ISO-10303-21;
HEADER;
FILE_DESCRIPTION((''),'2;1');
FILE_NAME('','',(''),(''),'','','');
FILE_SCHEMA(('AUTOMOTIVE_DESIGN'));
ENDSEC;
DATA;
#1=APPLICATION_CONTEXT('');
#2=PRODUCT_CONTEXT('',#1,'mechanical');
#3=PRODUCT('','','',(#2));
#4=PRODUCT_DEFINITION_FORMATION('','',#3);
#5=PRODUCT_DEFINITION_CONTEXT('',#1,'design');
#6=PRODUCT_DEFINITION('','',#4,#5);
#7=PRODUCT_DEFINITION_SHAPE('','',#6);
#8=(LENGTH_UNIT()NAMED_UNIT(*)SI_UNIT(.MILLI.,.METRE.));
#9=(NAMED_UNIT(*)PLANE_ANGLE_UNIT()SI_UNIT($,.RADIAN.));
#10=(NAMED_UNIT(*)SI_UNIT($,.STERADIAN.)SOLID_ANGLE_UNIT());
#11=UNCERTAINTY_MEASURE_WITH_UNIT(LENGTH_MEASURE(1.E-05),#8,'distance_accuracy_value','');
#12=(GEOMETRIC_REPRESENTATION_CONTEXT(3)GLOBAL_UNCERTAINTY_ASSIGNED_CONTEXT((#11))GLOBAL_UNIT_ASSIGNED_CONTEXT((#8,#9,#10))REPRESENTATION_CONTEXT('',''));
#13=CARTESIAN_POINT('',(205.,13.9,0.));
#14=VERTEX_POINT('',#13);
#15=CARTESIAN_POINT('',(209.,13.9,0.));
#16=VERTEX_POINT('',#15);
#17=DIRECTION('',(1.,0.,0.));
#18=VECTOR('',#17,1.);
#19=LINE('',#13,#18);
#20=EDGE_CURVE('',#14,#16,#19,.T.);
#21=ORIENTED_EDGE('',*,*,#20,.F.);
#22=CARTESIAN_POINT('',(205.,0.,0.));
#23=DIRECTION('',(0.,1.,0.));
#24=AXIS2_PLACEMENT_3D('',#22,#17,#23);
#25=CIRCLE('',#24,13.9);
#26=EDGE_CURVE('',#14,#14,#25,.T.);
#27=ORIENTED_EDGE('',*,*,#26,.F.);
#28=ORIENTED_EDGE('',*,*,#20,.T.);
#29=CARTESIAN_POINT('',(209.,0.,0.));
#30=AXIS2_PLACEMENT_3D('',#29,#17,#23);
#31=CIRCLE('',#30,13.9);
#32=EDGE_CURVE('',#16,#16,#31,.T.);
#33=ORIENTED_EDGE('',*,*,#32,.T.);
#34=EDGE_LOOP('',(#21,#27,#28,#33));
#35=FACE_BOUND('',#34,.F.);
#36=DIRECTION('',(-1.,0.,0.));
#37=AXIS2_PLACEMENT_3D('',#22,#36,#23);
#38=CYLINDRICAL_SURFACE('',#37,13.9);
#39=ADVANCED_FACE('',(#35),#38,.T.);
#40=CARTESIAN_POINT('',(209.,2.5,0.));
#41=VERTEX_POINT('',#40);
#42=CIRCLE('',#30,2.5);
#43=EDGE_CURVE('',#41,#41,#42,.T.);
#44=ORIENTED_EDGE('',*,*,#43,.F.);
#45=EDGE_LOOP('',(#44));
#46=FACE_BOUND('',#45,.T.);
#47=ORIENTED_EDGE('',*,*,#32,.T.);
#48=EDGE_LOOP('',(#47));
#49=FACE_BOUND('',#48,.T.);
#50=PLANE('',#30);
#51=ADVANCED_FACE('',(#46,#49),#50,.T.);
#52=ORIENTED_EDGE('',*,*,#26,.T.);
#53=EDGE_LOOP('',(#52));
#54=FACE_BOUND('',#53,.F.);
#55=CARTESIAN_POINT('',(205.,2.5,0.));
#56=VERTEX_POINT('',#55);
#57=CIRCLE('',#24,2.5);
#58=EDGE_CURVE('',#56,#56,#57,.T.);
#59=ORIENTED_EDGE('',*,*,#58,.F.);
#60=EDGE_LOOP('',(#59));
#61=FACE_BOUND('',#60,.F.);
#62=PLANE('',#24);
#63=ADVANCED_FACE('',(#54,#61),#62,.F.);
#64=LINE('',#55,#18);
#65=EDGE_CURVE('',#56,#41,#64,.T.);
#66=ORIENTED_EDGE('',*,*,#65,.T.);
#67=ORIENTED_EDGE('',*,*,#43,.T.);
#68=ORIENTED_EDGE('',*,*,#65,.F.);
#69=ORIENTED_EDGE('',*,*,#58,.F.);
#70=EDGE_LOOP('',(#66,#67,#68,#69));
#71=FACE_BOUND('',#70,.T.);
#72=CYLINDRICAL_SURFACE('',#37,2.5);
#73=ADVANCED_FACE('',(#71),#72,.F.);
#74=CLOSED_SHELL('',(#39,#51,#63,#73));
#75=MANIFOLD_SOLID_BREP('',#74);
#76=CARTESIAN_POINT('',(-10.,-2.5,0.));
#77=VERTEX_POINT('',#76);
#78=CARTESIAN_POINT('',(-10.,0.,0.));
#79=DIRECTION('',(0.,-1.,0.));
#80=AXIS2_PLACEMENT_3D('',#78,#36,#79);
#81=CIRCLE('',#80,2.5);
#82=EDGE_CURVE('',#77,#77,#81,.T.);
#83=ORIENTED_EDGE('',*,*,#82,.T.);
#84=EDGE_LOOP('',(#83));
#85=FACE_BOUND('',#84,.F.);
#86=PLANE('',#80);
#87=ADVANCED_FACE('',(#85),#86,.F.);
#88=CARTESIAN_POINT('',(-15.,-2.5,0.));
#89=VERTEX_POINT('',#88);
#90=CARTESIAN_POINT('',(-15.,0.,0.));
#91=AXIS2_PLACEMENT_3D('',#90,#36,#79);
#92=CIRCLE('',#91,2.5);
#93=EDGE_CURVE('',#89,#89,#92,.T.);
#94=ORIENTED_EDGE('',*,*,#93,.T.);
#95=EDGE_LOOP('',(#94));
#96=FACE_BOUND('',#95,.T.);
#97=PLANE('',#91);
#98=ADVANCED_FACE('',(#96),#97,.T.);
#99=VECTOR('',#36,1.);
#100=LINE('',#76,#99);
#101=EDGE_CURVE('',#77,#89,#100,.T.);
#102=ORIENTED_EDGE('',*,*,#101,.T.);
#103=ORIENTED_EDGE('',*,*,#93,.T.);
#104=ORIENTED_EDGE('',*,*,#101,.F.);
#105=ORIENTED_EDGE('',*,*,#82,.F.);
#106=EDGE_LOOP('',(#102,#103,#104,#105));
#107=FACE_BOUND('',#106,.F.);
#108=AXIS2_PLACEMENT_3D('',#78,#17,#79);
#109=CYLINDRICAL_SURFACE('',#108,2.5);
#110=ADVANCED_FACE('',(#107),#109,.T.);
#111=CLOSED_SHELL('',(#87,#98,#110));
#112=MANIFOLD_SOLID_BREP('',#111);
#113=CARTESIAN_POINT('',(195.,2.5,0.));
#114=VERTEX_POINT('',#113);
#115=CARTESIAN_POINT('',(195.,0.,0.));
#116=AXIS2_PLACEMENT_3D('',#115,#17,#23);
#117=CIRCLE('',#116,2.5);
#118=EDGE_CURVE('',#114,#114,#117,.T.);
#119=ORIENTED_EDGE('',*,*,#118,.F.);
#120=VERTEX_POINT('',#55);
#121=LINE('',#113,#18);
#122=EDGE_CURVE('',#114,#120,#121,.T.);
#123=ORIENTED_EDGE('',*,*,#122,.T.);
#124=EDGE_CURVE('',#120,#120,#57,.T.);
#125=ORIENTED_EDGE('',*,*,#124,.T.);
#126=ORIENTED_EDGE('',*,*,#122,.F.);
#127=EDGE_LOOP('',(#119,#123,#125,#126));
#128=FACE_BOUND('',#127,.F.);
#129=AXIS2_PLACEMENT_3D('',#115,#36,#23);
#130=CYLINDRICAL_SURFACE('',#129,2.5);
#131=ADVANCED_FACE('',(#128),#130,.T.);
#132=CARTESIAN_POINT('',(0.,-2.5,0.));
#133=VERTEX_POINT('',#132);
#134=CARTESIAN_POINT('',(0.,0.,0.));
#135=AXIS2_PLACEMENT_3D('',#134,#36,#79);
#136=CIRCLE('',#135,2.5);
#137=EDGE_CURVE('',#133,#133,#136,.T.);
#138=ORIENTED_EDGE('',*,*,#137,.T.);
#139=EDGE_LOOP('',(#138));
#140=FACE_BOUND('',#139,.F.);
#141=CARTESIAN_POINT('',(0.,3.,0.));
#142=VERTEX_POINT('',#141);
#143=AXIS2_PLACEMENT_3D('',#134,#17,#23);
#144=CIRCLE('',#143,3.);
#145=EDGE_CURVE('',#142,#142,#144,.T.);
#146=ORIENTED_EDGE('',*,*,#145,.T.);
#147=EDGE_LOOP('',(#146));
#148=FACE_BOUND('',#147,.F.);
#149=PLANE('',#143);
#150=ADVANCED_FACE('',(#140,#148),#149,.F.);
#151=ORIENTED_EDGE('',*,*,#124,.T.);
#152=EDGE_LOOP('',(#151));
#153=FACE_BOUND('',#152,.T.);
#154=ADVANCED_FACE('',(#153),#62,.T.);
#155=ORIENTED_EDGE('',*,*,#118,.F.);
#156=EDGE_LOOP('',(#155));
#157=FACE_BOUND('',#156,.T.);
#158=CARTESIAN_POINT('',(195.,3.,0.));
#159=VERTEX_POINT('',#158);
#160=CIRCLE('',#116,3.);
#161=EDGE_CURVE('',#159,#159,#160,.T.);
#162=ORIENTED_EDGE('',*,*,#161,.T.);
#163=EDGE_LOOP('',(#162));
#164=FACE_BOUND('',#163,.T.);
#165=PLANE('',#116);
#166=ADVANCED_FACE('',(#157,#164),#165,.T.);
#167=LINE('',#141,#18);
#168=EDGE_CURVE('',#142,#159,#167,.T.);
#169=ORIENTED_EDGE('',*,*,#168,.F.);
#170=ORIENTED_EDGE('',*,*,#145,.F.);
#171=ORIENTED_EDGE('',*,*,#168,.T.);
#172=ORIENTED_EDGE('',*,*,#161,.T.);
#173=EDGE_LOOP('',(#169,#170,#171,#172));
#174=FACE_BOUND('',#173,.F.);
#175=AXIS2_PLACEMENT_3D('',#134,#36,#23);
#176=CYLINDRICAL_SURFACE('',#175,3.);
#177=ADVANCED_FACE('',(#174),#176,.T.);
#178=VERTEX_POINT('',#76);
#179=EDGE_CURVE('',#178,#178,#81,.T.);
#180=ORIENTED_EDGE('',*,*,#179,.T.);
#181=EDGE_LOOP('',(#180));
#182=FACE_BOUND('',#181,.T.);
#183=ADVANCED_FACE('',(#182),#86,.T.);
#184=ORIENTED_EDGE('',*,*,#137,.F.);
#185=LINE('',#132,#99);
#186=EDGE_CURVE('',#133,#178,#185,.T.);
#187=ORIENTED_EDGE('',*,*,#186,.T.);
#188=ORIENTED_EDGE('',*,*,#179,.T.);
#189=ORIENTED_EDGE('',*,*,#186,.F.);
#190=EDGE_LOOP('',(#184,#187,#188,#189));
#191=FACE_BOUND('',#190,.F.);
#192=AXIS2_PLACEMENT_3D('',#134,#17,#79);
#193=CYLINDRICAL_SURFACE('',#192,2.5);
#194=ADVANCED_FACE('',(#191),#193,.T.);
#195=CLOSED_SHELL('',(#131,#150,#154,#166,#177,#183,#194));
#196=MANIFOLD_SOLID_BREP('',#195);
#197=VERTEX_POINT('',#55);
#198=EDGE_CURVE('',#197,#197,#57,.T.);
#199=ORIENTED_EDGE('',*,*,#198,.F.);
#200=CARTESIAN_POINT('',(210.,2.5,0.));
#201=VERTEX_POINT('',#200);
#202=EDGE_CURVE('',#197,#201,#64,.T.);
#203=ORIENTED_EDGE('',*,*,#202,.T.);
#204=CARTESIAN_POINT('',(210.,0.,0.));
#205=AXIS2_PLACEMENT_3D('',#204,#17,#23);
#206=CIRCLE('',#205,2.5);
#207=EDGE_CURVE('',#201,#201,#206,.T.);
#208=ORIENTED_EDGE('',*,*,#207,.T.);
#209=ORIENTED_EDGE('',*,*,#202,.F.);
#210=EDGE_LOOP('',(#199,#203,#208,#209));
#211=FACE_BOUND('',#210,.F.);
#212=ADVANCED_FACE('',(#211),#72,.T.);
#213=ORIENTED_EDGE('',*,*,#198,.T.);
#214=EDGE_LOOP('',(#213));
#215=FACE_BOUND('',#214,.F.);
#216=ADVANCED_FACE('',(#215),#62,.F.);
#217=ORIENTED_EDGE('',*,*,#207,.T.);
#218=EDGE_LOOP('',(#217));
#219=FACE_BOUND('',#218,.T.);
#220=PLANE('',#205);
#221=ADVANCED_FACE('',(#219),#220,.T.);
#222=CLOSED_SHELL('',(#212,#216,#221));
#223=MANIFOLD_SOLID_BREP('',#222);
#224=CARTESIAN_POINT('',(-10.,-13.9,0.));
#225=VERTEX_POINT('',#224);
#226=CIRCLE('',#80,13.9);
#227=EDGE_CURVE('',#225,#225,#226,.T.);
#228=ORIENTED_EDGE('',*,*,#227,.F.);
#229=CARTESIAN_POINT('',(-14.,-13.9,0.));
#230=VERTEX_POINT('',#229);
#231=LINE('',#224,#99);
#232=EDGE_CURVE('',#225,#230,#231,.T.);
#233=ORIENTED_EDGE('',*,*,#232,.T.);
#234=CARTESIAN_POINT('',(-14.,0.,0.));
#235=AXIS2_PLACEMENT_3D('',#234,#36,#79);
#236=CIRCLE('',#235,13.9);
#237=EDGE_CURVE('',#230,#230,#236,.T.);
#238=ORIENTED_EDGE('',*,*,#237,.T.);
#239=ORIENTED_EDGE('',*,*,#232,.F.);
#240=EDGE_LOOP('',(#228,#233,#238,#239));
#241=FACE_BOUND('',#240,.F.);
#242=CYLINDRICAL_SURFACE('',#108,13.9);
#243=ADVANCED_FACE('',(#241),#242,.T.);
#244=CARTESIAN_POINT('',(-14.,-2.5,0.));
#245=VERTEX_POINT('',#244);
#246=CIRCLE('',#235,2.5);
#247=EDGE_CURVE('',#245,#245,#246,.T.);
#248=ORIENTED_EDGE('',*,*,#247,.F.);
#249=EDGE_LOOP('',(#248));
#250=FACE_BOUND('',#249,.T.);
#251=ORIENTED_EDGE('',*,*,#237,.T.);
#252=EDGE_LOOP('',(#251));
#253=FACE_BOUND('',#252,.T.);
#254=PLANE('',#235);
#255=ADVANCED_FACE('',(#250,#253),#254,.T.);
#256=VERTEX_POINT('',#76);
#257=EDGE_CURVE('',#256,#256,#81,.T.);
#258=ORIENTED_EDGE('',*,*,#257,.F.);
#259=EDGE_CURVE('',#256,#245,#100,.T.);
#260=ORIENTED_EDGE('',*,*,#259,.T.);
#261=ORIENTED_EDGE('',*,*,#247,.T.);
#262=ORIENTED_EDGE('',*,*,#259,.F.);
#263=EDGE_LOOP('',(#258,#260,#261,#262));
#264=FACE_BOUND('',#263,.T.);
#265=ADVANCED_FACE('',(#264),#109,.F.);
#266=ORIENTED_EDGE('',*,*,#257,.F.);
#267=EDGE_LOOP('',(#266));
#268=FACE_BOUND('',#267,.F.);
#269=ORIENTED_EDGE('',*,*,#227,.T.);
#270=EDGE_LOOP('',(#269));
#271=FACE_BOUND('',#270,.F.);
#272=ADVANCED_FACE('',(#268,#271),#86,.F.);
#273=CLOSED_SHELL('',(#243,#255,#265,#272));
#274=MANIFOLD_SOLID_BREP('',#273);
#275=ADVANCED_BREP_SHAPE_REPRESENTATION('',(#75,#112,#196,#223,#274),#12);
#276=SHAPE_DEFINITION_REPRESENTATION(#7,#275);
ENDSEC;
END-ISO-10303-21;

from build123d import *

# Parameters (mm, degrees)
F0_R       = 3
F1_DEPTH   = 195
F2_R       = 2.5
F1_FACE1_R = 3
F3_DEPTH   = 10
F4_R       = 2.5
F5_DEPTH   = 10
F6_R       = 13.9
F6_R_2     = 2.5
F7_DEPTH   = 4
F8_R       = 2.5
F9_DEPTH   = 5
F10_R      = 13.9
F10_R_2    = 2.5
F11_DEPTH  = 4
F12_R      = 2.5
F13_DEPTH  = 5


with BuildPart() as f1:
    # F0 (on Right) → F1 (new body)
    with BuildSketch(Plane.YZ):
        Circle(F0_R)
    extrude(amount=F1_DEPTH)

    # F2 (on face) + F1_face1 (on face) → F3 (join)
    with BuildSketch(Plane(origin=(0, 0, 0), x_dir=(0, -1, 0), z_dir=(-1, 0, 0))):
        Circle(F2_R)
    with BuildSketch(Plane.YZ.offset(195)):
        Circle(F1_FACE1_R)
    extrude(amount=F3_DEPTH, dir=(-1, 0, 0))

    # F4 (on face) → F5 (join)
    with BuildSketch(Plane.YZ.offset(195)):
        Circle(F4_R)
    extrude(amount=F5_DEPTH)


with BuildPart() as f7:
    # F6 (on face) → F7 (new body)
    with BuildSketch(Plane(origin=(-10, 0, 0), x_dir=(0, -1, 0), z_dir=(-1, 0, 0))):
        Circle(F6_R)
        Circle(F6_R_2, mode=Mode.SUBTRACT)
    extrude(amount=F7_DEPTH)


with BuildPart() as f9:
    # F8 (on face) → F9 (new body)
    with BuildSketch(Plane(origin=(-10, 0, 0), x_dir=(0, -1, 0), z_dir=(-1, 0, 0))):
        Circle(F8_R)
    extrude(amount=F9_DEPTH)


with BuildPart() as f11:
    # F10 (on face) → F11 (new body)
    with BuildSketch(Plane.YZ.offset(205)):
        Circle(F10_R)
        Circle(F10_R_2, mode=Mode.SUBTRACT)
    extrude(amount=F11_DEPTH)


with BuildPart() as f13:
    # F12 (on face) → F13 (new body)
    with BuildSketch(Plane.YZ.offset(205)):
        Circle(F12_R)
    extrude(amount=F13_DEPTH)


solid = Compound([f1.part, f7.part, f9.part, f11.part, f13.part])
